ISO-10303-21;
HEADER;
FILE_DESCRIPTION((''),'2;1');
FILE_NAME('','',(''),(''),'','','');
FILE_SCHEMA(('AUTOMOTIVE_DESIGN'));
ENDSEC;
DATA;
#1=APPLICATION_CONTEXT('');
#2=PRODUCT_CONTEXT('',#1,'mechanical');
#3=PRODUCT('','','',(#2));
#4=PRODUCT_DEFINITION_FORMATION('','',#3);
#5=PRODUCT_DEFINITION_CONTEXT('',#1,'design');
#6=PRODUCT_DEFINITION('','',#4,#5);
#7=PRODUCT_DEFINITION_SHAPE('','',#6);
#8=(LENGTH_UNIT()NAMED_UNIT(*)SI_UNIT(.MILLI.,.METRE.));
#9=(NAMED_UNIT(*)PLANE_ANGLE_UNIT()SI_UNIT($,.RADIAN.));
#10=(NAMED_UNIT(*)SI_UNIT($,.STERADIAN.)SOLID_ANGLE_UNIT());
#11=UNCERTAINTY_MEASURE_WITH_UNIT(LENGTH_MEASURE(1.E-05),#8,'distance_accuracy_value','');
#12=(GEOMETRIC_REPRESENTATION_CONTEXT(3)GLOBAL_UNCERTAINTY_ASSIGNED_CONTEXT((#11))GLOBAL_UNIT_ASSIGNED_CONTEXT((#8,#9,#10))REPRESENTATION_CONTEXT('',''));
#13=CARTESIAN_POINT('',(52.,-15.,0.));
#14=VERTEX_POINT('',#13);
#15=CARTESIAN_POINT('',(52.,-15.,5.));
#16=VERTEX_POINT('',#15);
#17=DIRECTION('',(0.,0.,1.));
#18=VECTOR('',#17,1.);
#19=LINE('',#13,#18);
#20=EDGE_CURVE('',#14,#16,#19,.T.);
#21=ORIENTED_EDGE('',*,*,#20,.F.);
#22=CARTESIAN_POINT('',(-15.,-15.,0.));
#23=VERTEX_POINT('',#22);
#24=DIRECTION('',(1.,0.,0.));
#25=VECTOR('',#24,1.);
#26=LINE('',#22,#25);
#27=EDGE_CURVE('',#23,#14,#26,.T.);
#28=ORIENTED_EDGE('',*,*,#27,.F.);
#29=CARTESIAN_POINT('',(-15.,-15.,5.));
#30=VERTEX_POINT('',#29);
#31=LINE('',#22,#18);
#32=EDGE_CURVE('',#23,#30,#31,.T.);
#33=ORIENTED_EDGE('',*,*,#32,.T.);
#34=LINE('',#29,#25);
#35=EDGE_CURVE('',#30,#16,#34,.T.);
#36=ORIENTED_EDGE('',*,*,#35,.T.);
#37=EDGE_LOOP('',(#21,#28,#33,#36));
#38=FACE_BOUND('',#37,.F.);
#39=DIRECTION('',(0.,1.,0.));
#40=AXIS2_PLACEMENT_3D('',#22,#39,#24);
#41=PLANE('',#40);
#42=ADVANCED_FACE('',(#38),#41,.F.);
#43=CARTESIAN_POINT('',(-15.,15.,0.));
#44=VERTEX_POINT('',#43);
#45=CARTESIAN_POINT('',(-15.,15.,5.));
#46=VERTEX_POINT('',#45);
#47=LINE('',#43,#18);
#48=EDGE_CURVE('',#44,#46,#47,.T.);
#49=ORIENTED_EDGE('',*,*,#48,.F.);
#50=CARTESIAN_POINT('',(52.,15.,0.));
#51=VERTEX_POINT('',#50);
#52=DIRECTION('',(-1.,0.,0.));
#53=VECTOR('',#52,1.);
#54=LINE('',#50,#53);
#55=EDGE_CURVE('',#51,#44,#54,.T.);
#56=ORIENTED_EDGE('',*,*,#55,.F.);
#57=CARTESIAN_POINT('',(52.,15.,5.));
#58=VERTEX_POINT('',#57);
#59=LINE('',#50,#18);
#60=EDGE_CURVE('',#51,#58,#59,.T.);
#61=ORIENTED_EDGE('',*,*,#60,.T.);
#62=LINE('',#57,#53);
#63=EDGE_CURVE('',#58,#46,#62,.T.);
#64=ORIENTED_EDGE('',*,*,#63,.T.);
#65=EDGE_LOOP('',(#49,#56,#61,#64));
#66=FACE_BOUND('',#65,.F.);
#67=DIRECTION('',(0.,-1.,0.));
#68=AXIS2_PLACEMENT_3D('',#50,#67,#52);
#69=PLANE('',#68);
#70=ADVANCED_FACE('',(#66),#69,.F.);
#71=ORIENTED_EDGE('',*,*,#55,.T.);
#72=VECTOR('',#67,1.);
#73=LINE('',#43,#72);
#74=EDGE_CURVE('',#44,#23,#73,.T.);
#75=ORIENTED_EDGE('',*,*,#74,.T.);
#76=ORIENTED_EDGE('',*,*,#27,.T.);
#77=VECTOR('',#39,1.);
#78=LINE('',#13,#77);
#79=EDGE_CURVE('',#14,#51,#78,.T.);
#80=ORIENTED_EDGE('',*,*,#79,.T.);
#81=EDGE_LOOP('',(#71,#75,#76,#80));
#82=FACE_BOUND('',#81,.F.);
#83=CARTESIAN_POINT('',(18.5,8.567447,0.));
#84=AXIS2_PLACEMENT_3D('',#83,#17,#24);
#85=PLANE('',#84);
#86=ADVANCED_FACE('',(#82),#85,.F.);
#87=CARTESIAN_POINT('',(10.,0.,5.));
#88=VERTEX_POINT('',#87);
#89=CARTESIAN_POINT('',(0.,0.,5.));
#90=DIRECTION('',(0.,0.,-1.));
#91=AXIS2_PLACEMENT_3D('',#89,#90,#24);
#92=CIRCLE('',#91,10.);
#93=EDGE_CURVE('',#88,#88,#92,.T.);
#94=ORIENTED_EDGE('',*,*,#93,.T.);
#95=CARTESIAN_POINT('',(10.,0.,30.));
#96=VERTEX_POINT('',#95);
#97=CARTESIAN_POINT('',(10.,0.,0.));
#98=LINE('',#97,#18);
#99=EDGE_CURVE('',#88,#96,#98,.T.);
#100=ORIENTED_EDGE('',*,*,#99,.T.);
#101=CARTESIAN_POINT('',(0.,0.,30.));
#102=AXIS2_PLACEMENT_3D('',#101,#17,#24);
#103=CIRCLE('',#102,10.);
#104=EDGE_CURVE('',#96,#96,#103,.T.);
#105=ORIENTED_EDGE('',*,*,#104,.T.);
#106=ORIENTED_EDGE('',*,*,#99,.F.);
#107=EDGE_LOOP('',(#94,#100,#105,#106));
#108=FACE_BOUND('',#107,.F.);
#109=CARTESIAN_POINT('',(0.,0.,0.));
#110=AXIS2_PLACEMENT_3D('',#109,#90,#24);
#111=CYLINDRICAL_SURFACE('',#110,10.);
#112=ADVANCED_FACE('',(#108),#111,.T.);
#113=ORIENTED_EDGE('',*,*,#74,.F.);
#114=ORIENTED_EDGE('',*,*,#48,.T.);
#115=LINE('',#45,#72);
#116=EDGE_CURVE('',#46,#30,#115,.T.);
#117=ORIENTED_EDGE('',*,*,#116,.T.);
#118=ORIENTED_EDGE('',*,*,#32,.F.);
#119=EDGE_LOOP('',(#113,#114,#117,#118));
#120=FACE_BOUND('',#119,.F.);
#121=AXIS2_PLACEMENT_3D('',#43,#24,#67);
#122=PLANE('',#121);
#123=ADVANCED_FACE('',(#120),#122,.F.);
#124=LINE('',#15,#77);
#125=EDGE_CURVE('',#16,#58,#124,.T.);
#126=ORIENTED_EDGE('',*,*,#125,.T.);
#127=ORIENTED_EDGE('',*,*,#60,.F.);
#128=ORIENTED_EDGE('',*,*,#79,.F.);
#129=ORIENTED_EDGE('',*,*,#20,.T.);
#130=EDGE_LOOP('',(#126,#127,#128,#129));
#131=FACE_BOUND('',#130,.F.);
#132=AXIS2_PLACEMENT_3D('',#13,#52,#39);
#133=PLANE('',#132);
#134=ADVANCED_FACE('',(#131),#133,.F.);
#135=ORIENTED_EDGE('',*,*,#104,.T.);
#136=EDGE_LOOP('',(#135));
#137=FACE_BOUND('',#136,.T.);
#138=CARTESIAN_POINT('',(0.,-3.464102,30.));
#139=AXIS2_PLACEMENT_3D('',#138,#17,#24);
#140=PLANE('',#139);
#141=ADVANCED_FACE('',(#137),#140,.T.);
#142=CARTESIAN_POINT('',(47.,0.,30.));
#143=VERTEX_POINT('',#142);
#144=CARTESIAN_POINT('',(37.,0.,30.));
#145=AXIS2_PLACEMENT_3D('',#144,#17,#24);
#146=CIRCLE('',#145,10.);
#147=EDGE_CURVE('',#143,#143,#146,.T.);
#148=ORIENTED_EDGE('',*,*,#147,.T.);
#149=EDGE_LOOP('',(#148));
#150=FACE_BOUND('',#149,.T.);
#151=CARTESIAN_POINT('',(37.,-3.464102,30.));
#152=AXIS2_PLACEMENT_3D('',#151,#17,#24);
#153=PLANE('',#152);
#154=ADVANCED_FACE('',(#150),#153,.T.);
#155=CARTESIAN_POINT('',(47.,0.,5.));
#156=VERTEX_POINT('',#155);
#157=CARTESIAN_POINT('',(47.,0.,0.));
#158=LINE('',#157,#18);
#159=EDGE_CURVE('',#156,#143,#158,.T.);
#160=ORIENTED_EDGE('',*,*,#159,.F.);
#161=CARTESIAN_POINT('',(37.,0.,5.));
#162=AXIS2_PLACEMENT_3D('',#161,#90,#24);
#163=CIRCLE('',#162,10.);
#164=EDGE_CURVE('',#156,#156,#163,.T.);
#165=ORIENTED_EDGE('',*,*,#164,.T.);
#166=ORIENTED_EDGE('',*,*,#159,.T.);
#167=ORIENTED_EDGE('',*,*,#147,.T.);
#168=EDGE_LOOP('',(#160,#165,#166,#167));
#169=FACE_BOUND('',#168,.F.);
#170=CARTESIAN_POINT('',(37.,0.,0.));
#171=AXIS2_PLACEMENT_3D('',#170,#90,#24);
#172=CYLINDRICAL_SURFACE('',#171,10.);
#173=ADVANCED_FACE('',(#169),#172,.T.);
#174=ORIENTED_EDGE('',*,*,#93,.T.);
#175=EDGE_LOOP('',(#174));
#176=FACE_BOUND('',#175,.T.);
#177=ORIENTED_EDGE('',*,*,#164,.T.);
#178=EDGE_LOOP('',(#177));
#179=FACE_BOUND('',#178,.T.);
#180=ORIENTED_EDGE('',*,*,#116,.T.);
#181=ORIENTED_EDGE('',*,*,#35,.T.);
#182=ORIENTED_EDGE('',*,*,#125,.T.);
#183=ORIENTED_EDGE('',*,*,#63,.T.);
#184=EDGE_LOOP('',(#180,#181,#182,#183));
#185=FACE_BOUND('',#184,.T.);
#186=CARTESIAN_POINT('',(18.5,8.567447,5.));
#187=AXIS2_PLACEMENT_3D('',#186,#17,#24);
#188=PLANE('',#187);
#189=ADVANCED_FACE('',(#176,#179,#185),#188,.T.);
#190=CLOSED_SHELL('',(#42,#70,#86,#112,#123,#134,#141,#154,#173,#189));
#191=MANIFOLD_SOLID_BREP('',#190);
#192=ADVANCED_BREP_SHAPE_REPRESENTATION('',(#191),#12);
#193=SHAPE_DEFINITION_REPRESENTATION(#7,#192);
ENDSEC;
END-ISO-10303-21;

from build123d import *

# Parameters (mm, degrees)
F2_DEPTH = 5
F3_DEPTH = 30


with BuildPart() as f2:
    # F0 (on Top) → F2 (new body)
    with BuildSketch(Plane.XY):
        with BuildLine():
            ThreePointArc((-10, 0), (0, 10), (10, 0))
            Line((10, 0), (27, 0))
            ThreePointArc((27, 0), (37, 10), (47, 0))
            Line((47, 0), (52, 0))
            Line((52, 0), (52, 15))
            Line((52, 15), (-15, 15))
            Line((-15, 15), (-15, 0))
            Line((-15, 0), (-10, 0))
        make_face()
        with BuildLine():
            Line((27, 0), (10, 0))
            ThreePointArc((10, 0), (0, -10), (-10, 0))
            Line((-10, 0), (-15, 0))
            Line((-15, 0), (-15, -15))
            Line((-15, -15), (52, -15))
            Line((52, -15), (52, 0))
            Line((52, 0), (47, 0))
            ThreePointArc((47, 0), (37, -10), (27, 0))
        make_face()
    extrude(amount=F2_DEPTH)

    # F0 (on Top) → F3 (join)
    with BuildSketch(Plane.XY):
        with BuildLine():
            ThreePointArc((-10, 0), (0, -10), (10, 0))
            Line((10, 0), (0, 0))
            Line((0, 0), (-10, 0))
        make_face()
        with BuildLine():
            Line((0, 0), (10, 0))
            ThreePointArc((10, 0), (0, 10), (-10, 0))
            Line((-10, 0), (0, 0))
        make_face()
        with BuildLine():
            Line((37, 0), (27, 0))
            ThreePointArc((27, 0), (37, -10), (47, 0))
            Line((47, 0), (37, 0))
        make_face()
        with BuildLine():
            ThreePointArc((47, 0), (37, 10), (27, 0))
            Line((27, 0), (37, 0))
            Line((37, 0), (47, 0))
        make_face()
    extrude(amount=F3_DEPTH)


solid = f2.part
